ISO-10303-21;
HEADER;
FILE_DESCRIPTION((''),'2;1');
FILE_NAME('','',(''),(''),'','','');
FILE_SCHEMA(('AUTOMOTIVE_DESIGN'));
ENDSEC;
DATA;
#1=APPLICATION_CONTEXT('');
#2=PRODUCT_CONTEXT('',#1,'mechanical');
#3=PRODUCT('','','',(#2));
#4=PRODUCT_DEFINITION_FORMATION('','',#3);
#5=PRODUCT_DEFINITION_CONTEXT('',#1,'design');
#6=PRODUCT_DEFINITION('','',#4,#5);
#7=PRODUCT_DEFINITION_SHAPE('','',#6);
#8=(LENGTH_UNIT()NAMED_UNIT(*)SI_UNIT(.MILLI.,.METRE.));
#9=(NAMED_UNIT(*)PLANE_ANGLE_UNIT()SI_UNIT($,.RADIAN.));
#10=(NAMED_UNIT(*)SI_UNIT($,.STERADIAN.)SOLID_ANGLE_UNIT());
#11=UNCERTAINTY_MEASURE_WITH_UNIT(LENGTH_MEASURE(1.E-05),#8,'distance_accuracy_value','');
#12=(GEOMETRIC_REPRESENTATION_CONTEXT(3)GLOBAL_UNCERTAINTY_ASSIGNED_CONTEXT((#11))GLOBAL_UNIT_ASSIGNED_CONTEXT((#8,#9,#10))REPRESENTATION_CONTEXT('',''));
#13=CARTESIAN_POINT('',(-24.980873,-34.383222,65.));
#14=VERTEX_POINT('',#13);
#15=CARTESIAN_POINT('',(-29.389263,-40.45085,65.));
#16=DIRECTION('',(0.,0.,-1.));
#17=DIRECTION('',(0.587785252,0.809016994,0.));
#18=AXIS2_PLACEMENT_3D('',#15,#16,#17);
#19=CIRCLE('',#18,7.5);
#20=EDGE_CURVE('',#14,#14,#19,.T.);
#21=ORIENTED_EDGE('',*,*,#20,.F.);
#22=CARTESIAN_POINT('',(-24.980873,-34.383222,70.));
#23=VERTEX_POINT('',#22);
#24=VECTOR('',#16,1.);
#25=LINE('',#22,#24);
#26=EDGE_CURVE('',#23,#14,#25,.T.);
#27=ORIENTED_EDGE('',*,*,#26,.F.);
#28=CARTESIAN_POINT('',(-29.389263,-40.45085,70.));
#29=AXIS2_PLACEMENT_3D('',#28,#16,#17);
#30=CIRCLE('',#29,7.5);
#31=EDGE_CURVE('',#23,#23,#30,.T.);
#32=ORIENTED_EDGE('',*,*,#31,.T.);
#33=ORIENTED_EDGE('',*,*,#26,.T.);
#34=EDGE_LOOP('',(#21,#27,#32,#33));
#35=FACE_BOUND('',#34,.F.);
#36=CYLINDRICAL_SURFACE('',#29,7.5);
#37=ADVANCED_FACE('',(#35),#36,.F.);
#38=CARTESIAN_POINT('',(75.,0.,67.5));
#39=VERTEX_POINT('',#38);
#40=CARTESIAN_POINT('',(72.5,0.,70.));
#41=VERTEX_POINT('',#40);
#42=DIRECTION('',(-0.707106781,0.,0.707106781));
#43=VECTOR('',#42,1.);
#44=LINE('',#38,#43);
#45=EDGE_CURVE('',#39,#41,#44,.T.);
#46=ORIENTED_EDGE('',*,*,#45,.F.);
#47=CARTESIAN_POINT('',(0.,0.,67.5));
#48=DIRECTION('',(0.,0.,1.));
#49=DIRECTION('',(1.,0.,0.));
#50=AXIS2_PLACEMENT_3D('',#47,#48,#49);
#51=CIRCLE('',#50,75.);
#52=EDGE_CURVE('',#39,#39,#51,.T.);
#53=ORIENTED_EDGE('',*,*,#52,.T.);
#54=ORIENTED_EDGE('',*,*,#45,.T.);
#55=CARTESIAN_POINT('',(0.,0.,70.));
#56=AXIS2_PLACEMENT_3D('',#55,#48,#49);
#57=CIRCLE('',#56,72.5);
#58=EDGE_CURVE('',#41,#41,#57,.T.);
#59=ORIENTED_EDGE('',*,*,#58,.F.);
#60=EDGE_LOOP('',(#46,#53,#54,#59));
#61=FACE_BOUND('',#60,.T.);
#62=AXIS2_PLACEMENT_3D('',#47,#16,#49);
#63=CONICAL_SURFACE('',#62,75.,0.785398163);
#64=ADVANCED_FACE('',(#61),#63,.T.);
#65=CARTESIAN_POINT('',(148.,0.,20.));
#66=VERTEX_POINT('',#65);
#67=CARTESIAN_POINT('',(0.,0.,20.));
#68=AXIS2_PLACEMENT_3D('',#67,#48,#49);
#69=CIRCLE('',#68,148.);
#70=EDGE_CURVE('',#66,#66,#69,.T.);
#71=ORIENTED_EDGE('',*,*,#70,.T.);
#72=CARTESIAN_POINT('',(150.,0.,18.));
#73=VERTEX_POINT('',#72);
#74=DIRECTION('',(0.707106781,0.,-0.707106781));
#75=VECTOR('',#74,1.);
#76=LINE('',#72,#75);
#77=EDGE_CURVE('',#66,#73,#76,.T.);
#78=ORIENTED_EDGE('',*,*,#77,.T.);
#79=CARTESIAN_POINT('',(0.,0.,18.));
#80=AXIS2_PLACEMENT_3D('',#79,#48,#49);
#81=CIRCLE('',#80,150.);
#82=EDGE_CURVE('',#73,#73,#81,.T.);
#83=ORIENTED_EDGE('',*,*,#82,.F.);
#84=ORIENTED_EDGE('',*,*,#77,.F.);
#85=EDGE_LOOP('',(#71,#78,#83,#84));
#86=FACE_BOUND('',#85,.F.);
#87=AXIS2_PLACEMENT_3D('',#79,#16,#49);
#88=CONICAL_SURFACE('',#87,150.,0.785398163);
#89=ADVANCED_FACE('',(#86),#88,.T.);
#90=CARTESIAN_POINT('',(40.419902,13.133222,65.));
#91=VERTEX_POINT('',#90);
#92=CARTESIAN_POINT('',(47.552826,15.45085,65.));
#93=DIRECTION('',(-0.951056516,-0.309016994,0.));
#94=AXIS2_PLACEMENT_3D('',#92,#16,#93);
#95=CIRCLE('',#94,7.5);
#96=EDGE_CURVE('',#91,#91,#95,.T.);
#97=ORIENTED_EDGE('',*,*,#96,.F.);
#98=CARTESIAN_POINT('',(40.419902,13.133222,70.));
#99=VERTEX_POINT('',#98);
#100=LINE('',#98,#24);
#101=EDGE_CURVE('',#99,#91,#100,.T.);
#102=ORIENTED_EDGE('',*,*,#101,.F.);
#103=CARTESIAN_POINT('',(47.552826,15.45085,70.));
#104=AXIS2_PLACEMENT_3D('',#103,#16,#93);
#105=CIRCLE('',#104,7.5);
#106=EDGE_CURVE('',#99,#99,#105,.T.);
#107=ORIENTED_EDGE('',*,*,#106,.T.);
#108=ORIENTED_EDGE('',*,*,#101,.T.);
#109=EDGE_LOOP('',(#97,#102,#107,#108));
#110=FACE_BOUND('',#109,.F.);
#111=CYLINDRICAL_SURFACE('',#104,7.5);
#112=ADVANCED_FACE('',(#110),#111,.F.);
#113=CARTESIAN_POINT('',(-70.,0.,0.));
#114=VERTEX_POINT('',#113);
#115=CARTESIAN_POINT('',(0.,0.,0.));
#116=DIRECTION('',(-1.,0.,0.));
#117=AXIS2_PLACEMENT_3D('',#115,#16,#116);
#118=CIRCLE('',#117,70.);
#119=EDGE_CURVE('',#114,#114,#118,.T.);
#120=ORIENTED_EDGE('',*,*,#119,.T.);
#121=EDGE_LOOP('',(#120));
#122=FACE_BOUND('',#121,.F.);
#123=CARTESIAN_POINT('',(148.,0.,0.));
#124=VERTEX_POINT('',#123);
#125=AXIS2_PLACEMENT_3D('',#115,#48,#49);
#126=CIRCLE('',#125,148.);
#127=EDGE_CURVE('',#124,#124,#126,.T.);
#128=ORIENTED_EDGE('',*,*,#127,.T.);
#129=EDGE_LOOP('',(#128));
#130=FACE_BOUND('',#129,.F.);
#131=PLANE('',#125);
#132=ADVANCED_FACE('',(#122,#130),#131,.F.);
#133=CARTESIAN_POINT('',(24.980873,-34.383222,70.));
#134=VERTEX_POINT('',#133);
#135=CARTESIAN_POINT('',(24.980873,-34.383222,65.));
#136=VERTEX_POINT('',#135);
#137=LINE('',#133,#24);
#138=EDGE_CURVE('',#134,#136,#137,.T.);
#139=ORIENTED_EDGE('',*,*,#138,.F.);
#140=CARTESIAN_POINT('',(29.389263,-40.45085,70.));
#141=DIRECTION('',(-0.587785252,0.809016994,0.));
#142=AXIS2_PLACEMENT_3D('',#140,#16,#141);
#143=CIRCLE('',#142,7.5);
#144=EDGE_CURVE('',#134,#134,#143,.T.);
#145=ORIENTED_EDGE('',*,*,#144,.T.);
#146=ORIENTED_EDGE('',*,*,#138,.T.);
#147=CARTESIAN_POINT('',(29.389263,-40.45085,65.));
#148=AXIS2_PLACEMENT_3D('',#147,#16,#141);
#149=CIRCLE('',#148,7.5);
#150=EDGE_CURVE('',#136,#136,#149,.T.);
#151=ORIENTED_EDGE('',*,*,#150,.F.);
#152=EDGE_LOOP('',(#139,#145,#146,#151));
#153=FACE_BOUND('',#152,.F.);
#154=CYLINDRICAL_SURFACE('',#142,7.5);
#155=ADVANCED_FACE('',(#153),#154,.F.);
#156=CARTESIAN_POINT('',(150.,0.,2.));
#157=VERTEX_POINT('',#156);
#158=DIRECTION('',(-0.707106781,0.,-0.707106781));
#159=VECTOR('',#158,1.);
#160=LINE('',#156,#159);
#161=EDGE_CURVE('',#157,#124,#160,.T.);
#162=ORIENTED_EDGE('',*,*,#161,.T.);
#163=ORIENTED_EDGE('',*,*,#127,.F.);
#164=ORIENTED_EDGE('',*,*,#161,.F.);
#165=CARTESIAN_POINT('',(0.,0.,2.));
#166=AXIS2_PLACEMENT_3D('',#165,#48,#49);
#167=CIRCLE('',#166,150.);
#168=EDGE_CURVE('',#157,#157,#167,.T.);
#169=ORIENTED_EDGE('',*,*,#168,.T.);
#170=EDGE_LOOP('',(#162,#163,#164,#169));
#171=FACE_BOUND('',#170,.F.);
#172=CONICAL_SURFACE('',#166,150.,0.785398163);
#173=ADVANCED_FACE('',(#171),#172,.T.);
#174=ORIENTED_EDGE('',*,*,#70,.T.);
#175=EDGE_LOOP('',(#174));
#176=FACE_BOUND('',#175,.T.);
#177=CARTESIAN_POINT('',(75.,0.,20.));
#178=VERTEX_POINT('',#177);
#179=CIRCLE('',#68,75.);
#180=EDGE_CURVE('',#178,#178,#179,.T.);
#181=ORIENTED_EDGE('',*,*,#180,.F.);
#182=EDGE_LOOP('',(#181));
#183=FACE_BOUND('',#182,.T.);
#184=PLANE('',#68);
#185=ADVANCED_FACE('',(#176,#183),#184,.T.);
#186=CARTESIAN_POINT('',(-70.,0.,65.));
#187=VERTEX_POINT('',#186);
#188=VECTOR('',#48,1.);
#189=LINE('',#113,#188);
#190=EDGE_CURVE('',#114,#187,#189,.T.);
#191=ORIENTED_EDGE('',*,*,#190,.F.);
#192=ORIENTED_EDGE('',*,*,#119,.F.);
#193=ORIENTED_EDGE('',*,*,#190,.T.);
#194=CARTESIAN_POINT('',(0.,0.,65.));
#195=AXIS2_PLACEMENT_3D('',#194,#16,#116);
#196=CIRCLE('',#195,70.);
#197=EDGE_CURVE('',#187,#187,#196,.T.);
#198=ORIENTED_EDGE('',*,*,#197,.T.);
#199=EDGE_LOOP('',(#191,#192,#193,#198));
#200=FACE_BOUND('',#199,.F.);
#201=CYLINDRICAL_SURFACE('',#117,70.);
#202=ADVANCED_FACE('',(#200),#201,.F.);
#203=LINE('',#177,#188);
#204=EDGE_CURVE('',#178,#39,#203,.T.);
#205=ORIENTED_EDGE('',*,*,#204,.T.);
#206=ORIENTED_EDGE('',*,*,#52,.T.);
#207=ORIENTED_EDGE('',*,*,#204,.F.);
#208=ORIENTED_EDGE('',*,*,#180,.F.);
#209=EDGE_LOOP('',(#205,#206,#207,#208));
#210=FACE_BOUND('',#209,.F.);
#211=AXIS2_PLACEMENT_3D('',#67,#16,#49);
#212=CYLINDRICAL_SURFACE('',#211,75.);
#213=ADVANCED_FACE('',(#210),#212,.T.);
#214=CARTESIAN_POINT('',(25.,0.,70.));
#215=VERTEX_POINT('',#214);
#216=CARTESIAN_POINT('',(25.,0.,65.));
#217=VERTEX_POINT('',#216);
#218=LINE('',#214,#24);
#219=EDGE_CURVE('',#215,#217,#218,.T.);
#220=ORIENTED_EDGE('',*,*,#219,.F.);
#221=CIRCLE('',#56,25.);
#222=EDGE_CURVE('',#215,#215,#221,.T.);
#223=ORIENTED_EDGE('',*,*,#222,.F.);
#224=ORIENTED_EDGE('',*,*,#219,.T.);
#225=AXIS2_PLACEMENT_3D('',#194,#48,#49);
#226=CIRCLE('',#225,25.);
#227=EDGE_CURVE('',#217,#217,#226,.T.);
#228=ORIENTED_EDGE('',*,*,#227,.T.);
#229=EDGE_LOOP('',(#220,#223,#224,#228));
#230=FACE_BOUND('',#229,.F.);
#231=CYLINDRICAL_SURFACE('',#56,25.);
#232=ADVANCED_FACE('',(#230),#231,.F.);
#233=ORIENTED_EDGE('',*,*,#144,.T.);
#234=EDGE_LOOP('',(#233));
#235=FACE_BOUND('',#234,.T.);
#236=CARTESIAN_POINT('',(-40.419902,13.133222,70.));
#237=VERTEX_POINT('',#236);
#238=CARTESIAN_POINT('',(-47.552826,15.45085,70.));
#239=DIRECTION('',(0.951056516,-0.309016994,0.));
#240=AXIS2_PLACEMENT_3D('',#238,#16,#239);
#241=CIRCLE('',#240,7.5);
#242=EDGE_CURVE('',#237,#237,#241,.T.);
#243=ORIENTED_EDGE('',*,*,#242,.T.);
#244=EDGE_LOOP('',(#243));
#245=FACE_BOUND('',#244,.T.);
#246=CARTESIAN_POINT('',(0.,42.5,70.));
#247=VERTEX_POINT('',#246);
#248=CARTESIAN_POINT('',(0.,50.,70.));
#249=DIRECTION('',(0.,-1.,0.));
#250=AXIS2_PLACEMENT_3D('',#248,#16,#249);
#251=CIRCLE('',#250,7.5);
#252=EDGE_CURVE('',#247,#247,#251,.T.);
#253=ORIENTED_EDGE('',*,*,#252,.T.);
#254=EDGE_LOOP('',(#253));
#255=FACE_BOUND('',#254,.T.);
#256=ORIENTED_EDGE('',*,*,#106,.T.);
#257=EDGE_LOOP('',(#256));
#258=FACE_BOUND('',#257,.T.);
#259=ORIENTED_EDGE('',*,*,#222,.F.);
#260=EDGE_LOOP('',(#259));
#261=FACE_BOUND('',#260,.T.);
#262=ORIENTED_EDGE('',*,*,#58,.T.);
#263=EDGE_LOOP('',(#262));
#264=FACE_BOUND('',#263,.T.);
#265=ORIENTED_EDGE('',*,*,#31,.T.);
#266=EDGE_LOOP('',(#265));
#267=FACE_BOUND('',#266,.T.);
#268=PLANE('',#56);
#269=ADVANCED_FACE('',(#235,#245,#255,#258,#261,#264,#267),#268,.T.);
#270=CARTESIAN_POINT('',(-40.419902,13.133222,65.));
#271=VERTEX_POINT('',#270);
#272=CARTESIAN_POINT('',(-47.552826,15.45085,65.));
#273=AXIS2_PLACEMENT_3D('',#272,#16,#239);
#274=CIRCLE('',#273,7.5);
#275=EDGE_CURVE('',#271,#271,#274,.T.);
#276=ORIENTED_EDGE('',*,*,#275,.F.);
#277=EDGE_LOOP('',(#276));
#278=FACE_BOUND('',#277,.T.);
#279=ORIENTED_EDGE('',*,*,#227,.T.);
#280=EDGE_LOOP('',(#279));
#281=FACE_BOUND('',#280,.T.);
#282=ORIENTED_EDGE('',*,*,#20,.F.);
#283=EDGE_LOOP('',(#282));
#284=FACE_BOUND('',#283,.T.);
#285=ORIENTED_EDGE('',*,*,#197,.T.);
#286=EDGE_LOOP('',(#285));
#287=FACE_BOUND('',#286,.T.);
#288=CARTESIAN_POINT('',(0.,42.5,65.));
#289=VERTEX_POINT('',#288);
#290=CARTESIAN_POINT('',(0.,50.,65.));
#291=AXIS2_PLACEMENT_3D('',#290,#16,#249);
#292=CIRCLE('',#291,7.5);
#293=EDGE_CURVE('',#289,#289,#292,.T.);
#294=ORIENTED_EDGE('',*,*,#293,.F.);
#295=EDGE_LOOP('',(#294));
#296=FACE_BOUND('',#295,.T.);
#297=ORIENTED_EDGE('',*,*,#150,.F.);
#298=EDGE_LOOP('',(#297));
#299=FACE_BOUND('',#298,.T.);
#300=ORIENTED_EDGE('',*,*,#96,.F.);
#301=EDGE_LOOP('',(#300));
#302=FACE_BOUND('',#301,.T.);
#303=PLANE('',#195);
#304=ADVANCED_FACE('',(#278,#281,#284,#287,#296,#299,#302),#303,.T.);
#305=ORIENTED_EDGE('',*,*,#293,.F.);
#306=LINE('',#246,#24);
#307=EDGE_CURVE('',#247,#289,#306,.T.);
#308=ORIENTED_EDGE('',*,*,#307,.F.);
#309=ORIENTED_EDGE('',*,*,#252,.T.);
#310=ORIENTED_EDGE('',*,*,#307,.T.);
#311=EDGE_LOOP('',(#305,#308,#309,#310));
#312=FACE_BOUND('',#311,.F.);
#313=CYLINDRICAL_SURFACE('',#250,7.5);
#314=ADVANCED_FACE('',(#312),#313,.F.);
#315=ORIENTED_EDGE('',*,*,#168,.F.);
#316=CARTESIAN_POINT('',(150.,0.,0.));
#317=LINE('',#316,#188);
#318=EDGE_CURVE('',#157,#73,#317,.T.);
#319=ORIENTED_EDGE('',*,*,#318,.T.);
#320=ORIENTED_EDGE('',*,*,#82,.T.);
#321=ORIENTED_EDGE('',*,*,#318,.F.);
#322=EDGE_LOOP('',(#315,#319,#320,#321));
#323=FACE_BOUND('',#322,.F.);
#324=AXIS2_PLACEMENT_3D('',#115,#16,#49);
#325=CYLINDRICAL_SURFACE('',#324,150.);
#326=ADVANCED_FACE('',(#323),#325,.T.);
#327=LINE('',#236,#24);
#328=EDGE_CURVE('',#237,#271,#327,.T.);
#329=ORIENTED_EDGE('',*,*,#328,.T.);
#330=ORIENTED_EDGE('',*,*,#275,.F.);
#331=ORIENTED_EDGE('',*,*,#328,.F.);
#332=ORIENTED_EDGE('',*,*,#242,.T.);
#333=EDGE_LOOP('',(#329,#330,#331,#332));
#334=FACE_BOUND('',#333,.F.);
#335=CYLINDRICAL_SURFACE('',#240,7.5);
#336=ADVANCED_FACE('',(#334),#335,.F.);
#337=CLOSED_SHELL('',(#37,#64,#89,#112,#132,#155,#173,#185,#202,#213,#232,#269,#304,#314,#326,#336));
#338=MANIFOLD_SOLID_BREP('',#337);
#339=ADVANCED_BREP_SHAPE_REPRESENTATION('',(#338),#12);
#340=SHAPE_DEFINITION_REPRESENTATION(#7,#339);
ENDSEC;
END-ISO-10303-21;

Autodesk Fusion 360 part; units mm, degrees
sketch "Sketch1" plane through (0, 0, 0) normal (0, 0, 1) x (1, 0, 0) in component "Disk"
  circle A0 centre (0, 0) radius 150
  dimension "d1" = 300
extrude "Extrude1" add sketch "Sketch1" along normal blind 20 in component "Disk"
sketch "Sketch2" plane through (0, 0, 20) normal (0, 0, 1) x (1, 0, 0) in component "Disk"
  circle A0 centre (0, 0) radius 150
  circle A1 centre (0, 0) radius 75
  dimension "d4" = 150
extrude "Extrude2" add sketch "Sketch2" along normal blind 50 contours A1 in component "Disk"
sketch "Sketch3" plane through (0, 0, 0) normal (0, 0, -1) x (-1, 0, 0) in component "Disk"
  circle A0 centre (0, 0) radius 150
  circle A1 centre (0, 0) radius 75
  circle A2 centre (0, 0) radius 70
  dimension "d7" = -5
extrude "Extrude3" cut sketch "Sketch3" against normal up to surface (65 mm away) contours A2 in component "Disk"
chamfer "Chamfer1" distance 2.5 angle 45 1 edges at (-69.9246, -27.1212, 70) in component "Disk"
chamfer "Chamfer2" distance 2 angle 45 2 edges at (-139.8491, -54.2423, 20) (-139.8491, -54.2423, 0) in component "Disk"
sketch "Sketch4" plane through (0, 0, 70) normal (0, 0, 1) x (1, 0, 0) in component "Disk"
  circle A0 centre (0, 0) radius 72.5
  circle A1 centre (0, 0) radius 25
  dimension "d12" = 50
extrude "Extrude4" cut sketch "Sketch4" against normal up to surface (5 mm away) contours A1 in component "Disk"
sketch "Sketch5" plane through (0, 0, 70) normal (0, 0, 1) x (1, 0, 0) in component "Disk"
  circle A0 centre (0, 0) radius 25
  circle A1 centre (0, 0) radius 72.5
  point P0 (0, 50)
  dimension "d15" = 50
hole "Hole1" at (0, 50, 70) direction (0, 0, -1) diameter 15 depth 5 tip angle 118 in component "Disk"
pattern_circular "C-Pattern1" count 5 over 360 about axis through (0, 0, 70) along (0, 0, -1) of "Hole1" in component "Disk"
component "Disk" placed x (1, 0, 0) y (0, 1, 0) z (0, 0, 1) at (0, 0, 0)
